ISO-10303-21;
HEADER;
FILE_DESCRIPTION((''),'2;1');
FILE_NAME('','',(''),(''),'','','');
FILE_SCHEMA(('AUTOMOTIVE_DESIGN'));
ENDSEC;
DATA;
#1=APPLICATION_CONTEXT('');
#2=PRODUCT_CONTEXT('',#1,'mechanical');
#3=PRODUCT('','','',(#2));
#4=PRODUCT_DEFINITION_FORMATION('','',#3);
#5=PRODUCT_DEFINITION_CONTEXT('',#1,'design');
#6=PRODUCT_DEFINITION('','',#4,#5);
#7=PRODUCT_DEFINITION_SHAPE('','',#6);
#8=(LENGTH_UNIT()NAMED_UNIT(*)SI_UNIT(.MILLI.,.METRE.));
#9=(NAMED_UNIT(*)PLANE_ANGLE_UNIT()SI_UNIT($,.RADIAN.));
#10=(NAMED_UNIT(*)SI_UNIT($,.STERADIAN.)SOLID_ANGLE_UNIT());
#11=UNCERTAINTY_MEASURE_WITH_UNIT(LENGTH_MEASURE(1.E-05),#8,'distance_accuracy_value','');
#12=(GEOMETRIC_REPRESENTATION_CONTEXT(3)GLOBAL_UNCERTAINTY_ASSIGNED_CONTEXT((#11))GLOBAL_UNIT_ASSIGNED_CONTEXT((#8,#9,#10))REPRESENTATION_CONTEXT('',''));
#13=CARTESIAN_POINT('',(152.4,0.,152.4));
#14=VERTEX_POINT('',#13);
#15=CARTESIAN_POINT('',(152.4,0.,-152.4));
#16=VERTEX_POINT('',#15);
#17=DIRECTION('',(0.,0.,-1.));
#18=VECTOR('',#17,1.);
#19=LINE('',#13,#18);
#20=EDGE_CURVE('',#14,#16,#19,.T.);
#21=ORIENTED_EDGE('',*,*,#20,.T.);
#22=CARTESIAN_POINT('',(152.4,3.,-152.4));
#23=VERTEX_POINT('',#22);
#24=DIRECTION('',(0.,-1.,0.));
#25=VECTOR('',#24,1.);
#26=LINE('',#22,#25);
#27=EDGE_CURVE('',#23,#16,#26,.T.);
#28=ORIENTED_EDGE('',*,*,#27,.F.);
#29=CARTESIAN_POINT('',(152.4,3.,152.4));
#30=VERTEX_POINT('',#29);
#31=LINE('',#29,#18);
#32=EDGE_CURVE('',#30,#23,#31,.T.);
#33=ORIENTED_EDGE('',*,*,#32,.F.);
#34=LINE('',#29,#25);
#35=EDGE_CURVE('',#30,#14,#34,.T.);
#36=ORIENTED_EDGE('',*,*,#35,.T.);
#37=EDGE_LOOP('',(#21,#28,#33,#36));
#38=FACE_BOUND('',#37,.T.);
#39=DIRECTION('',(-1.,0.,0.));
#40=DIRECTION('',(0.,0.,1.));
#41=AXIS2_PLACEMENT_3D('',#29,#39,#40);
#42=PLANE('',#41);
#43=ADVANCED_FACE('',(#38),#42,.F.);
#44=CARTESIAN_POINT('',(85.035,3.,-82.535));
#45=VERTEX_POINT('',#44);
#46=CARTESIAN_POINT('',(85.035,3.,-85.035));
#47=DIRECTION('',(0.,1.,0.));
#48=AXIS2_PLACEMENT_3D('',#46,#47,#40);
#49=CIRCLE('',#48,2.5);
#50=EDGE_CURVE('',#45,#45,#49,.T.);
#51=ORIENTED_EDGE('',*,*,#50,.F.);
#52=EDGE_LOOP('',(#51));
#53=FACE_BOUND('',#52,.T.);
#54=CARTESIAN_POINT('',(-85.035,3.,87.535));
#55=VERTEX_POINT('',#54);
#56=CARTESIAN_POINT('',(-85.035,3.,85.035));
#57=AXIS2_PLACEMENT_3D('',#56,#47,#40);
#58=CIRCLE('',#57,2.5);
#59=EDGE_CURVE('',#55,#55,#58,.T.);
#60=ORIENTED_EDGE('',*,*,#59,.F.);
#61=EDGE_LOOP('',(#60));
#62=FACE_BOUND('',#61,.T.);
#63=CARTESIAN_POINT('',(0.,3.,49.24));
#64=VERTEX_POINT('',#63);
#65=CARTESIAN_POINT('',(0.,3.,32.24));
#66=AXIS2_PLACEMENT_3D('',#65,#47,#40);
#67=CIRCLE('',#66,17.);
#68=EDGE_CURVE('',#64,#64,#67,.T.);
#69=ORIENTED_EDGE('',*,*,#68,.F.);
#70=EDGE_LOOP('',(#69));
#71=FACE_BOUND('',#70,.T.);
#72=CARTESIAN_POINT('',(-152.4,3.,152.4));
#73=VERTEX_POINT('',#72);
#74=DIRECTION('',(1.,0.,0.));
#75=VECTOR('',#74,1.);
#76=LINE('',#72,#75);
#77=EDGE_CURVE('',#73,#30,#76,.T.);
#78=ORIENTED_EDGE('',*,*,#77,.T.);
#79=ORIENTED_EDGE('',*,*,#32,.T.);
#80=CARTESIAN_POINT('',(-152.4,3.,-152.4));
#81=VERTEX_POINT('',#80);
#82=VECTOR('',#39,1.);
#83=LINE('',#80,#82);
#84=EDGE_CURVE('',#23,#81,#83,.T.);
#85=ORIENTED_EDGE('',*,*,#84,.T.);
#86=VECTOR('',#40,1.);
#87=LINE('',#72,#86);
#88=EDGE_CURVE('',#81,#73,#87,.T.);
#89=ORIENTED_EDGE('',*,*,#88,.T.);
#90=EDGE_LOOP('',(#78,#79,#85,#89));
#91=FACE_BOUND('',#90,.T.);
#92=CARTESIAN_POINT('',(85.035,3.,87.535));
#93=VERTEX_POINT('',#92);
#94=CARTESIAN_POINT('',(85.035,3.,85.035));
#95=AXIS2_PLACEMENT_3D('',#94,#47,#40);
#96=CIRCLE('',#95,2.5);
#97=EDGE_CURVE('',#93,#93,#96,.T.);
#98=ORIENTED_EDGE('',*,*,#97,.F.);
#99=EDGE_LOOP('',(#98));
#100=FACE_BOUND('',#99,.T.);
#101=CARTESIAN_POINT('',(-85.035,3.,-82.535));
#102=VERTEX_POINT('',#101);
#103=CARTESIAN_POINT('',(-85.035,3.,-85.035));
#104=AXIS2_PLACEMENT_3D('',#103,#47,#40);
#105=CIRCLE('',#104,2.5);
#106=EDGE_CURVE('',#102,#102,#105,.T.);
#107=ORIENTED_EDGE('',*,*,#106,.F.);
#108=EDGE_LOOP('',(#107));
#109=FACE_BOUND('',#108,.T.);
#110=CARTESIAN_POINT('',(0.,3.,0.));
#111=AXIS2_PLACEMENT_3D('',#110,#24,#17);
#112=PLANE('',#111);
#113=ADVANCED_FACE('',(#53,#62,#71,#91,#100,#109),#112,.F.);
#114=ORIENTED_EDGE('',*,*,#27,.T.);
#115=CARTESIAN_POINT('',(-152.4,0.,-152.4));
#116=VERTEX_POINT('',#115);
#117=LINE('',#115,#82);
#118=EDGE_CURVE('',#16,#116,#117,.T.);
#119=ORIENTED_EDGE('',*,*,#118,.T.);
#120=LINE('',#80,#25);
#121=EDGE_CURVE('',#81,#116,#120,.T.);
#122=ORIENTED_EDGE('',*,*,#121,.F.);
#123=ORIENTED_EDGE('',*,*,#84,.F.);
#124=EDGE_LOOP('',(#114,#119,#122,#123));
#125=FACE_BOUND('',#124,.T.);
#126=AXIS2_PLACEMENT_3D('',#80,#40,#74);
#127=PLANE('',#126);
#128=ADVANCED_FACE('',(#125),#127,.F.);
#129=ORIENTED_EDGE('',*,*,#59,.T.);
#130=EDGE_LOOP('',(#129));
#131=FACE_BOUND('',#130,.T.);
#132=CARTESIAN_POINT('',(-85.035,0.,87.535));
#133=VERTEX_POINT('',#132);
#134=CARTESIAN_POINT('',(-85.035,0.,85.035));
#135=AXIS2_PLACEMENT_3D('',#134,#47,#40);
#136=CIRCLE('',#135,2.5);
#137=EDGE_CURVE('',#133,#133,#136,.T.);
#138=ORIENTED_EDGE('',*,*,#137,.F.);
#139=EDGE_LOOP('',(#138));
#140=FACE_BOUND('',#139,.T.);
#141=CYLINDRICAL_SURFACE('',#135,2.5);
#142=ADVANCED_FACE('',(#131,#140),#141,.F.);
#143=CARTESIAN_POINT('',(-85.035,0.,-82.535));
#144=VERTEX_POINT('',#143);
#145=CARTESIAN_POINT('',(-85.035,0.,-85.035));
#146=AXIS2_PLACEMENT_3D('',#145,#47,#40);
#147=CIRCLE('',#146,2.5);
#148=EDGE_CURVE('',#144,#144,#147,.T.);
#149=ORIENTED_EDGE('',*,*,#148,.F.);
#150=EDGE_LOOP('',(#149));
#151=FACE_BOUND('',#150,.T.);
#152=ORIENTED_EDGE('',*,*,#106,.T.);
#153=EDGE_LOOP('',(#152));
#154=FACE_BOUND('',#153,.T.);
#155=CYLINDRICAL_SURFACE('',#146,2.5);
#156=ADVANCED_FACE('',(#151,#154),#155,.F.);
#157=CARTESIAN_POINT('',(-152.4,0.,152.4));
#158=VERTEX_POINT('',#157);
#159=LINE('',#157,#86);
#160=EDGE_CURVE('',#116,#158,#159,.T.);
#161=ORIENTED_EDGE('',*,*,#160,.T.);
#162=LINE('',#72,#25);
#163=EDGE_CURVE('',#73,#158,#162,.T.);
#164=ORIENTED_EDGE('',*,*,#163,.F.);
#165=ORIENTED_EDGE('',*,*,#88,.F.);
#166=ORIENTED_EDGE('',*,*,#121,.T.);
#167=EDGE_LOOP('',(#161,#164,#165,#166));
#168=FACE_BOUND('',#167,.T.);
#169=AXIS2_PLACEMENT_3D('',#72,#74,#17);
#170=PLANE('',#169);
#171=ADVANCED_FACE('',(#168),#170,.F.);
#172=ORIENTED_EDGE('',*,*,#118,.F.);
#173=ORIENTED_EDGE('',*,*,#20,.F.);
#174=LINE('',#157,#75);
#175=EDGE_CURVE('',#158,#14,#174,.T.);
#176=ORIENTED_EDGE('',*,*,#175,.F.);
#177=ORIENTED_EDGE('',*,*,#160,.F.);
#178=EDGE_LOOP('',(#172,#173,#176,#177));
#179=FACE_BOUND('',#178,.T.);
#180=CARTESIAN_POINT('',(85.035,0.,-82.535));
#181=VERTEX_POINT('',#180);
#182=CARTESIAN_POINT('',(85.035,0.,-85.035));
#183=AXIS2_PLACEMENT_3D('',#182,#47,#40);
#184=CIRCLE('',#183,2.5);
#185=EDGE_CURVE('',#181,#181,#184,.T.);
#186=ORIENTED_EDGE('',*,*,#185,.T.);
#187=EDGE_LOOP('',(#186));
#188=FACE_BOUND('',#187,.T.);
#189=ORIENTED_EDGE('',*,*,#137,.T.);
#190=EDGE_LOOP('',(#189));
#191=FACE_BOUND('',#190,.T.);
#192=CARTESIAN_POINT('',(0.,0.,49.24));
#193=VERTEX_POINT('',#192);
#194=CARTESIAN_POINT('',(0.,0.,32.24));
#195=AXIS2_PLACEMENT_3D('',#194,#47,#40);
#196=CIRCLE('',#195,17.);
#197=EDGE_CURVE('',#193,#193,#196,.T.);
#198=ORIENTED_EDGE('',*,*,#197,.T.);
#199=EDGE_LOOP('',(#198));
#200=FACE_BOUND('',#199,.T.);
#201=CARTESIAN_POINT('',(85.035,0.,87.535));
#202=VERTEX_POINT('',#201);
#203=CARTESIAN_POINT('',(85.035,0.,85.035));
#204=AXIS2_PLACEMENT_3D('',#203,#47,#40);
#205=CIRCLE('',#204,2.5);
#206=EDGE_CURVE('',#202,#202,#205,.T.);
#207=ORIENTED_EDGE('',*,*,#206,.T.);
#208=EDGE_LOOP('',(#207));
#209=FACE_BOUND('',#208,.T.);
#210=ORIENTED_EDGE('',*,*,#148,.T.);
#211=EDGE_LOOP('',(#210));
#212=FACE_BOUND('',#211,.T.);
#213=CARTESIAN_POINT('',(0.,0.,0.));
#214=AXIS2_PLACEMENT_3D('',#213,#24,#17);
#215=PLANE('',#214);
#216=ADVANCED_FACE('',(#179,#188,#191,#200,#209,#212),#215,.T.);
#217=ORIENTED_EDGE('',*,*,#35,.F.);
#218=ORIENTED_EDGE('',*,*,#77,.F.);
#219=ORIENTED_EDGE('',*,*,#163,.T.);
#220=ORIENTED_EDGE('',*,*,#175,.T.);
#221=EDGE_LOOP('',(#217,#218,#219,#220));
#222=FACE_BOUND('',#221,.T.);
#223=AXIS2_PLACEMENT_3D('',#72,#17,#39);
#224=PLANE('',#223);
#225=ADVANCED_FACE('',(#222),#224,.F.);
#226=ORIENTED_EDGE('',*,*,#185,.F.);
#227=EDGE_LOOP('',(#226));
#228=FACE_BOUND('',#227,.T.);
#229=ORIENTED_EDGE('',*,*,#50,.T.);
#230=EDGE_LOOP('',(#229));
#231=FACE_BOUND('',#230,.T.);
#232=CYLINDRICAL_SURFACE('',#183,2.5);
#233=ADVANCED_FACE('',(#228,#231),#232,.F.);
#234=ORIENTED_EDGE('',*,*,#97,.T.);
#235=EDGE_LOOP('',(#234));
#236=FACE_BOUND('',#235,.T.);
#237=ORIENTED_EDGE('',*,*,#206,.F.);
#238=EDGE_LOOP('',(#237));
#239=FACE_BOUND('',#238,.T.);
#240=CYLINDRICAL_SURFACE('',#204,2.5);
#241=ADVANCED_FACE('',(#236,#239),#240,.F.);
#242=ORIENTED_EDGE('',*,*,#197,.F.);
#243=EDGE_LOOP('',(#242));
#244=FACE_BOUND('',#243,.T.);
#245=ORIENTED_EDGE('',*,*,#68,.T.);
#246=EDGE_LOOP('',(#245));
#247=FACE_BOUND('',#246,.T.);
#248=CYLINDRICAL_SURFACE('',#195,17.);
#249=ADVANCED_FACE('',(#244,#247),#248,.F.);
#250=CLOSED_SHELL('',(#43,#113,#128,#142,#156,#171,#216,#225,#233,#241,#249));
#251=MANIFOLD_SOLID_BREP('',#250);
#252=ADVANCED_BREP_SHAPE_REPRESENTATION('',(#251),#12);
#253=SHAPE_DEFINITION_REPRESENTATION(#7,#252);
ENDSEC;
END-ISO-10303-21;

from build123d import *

# Parameters (mm, degrees)
SKETCH2_W           = 304.8
SKETCH2_H           = 304.8
BOSS_EXTRUDE1_DEPTH = 3
SKETCH3_R           = 2.5
CUT_EXTRUDE1_DEPTH  = 216.547025032
SKETCH4_R           = 17
CUT_EXTRUDE2_DEPTH  = 216.547025032


with BuildPart() as part:
    # Sketch2 → Boss-Extrude1 (new body)
    with BuildSketch(Plane(origin=(0, 0, 0), x_dir=(1, 0, 0), z_dir=(0, 1, 0))):
        Rectangle(SKETCH2_W, SKETCH2_H)
    extrude(amount=BOSS_EXTRUDE1_DEPTH)

    # Sketch3 → Cut-Extrude1 (cut, through all)
    with BuildSketch(Plane(origin=(0, 3, 0), x_dir=(1, 0, 0), z_dir=(0, 1, 0))):
        with Locations(Location((-85.035, 85.035, 0), (0, 0, 270))):
            Circle(SKETCH3_R)
        with Locations(Location((85.035, 85.035, 0), (0, 0, 270))):
            Circle(SKETCH3_R)
        with Locations(Location((-85.035, -85.035, 0), (0, 0, 270))):
            Circle(SKETCH3_R)
        with Locations(Location((85.035, -85.035, 0), (0, 0, 270))):
            Circle(SKETCH3_R)
    extrude(amount=-CUT_EXTRUDE1_DEPTH, mode=Mode.SUBTRACT)

    # Sketch4 → Cut-Extrude2 (cut, through all)
    with BuildSketch(Plane(origin=(0, 3, 0), x_dir=(1, 0, 0), z_dir=(0, 1, 0))):
        with Locations(Location((0, -32.24, 0), (0, 0, 270))):
            Circle(SKETCH4_R)
    extrude(amount=-CUT_EXTRUDE2_DEPTH, mode=Mode.SUBTRACT)


solid = part.part
